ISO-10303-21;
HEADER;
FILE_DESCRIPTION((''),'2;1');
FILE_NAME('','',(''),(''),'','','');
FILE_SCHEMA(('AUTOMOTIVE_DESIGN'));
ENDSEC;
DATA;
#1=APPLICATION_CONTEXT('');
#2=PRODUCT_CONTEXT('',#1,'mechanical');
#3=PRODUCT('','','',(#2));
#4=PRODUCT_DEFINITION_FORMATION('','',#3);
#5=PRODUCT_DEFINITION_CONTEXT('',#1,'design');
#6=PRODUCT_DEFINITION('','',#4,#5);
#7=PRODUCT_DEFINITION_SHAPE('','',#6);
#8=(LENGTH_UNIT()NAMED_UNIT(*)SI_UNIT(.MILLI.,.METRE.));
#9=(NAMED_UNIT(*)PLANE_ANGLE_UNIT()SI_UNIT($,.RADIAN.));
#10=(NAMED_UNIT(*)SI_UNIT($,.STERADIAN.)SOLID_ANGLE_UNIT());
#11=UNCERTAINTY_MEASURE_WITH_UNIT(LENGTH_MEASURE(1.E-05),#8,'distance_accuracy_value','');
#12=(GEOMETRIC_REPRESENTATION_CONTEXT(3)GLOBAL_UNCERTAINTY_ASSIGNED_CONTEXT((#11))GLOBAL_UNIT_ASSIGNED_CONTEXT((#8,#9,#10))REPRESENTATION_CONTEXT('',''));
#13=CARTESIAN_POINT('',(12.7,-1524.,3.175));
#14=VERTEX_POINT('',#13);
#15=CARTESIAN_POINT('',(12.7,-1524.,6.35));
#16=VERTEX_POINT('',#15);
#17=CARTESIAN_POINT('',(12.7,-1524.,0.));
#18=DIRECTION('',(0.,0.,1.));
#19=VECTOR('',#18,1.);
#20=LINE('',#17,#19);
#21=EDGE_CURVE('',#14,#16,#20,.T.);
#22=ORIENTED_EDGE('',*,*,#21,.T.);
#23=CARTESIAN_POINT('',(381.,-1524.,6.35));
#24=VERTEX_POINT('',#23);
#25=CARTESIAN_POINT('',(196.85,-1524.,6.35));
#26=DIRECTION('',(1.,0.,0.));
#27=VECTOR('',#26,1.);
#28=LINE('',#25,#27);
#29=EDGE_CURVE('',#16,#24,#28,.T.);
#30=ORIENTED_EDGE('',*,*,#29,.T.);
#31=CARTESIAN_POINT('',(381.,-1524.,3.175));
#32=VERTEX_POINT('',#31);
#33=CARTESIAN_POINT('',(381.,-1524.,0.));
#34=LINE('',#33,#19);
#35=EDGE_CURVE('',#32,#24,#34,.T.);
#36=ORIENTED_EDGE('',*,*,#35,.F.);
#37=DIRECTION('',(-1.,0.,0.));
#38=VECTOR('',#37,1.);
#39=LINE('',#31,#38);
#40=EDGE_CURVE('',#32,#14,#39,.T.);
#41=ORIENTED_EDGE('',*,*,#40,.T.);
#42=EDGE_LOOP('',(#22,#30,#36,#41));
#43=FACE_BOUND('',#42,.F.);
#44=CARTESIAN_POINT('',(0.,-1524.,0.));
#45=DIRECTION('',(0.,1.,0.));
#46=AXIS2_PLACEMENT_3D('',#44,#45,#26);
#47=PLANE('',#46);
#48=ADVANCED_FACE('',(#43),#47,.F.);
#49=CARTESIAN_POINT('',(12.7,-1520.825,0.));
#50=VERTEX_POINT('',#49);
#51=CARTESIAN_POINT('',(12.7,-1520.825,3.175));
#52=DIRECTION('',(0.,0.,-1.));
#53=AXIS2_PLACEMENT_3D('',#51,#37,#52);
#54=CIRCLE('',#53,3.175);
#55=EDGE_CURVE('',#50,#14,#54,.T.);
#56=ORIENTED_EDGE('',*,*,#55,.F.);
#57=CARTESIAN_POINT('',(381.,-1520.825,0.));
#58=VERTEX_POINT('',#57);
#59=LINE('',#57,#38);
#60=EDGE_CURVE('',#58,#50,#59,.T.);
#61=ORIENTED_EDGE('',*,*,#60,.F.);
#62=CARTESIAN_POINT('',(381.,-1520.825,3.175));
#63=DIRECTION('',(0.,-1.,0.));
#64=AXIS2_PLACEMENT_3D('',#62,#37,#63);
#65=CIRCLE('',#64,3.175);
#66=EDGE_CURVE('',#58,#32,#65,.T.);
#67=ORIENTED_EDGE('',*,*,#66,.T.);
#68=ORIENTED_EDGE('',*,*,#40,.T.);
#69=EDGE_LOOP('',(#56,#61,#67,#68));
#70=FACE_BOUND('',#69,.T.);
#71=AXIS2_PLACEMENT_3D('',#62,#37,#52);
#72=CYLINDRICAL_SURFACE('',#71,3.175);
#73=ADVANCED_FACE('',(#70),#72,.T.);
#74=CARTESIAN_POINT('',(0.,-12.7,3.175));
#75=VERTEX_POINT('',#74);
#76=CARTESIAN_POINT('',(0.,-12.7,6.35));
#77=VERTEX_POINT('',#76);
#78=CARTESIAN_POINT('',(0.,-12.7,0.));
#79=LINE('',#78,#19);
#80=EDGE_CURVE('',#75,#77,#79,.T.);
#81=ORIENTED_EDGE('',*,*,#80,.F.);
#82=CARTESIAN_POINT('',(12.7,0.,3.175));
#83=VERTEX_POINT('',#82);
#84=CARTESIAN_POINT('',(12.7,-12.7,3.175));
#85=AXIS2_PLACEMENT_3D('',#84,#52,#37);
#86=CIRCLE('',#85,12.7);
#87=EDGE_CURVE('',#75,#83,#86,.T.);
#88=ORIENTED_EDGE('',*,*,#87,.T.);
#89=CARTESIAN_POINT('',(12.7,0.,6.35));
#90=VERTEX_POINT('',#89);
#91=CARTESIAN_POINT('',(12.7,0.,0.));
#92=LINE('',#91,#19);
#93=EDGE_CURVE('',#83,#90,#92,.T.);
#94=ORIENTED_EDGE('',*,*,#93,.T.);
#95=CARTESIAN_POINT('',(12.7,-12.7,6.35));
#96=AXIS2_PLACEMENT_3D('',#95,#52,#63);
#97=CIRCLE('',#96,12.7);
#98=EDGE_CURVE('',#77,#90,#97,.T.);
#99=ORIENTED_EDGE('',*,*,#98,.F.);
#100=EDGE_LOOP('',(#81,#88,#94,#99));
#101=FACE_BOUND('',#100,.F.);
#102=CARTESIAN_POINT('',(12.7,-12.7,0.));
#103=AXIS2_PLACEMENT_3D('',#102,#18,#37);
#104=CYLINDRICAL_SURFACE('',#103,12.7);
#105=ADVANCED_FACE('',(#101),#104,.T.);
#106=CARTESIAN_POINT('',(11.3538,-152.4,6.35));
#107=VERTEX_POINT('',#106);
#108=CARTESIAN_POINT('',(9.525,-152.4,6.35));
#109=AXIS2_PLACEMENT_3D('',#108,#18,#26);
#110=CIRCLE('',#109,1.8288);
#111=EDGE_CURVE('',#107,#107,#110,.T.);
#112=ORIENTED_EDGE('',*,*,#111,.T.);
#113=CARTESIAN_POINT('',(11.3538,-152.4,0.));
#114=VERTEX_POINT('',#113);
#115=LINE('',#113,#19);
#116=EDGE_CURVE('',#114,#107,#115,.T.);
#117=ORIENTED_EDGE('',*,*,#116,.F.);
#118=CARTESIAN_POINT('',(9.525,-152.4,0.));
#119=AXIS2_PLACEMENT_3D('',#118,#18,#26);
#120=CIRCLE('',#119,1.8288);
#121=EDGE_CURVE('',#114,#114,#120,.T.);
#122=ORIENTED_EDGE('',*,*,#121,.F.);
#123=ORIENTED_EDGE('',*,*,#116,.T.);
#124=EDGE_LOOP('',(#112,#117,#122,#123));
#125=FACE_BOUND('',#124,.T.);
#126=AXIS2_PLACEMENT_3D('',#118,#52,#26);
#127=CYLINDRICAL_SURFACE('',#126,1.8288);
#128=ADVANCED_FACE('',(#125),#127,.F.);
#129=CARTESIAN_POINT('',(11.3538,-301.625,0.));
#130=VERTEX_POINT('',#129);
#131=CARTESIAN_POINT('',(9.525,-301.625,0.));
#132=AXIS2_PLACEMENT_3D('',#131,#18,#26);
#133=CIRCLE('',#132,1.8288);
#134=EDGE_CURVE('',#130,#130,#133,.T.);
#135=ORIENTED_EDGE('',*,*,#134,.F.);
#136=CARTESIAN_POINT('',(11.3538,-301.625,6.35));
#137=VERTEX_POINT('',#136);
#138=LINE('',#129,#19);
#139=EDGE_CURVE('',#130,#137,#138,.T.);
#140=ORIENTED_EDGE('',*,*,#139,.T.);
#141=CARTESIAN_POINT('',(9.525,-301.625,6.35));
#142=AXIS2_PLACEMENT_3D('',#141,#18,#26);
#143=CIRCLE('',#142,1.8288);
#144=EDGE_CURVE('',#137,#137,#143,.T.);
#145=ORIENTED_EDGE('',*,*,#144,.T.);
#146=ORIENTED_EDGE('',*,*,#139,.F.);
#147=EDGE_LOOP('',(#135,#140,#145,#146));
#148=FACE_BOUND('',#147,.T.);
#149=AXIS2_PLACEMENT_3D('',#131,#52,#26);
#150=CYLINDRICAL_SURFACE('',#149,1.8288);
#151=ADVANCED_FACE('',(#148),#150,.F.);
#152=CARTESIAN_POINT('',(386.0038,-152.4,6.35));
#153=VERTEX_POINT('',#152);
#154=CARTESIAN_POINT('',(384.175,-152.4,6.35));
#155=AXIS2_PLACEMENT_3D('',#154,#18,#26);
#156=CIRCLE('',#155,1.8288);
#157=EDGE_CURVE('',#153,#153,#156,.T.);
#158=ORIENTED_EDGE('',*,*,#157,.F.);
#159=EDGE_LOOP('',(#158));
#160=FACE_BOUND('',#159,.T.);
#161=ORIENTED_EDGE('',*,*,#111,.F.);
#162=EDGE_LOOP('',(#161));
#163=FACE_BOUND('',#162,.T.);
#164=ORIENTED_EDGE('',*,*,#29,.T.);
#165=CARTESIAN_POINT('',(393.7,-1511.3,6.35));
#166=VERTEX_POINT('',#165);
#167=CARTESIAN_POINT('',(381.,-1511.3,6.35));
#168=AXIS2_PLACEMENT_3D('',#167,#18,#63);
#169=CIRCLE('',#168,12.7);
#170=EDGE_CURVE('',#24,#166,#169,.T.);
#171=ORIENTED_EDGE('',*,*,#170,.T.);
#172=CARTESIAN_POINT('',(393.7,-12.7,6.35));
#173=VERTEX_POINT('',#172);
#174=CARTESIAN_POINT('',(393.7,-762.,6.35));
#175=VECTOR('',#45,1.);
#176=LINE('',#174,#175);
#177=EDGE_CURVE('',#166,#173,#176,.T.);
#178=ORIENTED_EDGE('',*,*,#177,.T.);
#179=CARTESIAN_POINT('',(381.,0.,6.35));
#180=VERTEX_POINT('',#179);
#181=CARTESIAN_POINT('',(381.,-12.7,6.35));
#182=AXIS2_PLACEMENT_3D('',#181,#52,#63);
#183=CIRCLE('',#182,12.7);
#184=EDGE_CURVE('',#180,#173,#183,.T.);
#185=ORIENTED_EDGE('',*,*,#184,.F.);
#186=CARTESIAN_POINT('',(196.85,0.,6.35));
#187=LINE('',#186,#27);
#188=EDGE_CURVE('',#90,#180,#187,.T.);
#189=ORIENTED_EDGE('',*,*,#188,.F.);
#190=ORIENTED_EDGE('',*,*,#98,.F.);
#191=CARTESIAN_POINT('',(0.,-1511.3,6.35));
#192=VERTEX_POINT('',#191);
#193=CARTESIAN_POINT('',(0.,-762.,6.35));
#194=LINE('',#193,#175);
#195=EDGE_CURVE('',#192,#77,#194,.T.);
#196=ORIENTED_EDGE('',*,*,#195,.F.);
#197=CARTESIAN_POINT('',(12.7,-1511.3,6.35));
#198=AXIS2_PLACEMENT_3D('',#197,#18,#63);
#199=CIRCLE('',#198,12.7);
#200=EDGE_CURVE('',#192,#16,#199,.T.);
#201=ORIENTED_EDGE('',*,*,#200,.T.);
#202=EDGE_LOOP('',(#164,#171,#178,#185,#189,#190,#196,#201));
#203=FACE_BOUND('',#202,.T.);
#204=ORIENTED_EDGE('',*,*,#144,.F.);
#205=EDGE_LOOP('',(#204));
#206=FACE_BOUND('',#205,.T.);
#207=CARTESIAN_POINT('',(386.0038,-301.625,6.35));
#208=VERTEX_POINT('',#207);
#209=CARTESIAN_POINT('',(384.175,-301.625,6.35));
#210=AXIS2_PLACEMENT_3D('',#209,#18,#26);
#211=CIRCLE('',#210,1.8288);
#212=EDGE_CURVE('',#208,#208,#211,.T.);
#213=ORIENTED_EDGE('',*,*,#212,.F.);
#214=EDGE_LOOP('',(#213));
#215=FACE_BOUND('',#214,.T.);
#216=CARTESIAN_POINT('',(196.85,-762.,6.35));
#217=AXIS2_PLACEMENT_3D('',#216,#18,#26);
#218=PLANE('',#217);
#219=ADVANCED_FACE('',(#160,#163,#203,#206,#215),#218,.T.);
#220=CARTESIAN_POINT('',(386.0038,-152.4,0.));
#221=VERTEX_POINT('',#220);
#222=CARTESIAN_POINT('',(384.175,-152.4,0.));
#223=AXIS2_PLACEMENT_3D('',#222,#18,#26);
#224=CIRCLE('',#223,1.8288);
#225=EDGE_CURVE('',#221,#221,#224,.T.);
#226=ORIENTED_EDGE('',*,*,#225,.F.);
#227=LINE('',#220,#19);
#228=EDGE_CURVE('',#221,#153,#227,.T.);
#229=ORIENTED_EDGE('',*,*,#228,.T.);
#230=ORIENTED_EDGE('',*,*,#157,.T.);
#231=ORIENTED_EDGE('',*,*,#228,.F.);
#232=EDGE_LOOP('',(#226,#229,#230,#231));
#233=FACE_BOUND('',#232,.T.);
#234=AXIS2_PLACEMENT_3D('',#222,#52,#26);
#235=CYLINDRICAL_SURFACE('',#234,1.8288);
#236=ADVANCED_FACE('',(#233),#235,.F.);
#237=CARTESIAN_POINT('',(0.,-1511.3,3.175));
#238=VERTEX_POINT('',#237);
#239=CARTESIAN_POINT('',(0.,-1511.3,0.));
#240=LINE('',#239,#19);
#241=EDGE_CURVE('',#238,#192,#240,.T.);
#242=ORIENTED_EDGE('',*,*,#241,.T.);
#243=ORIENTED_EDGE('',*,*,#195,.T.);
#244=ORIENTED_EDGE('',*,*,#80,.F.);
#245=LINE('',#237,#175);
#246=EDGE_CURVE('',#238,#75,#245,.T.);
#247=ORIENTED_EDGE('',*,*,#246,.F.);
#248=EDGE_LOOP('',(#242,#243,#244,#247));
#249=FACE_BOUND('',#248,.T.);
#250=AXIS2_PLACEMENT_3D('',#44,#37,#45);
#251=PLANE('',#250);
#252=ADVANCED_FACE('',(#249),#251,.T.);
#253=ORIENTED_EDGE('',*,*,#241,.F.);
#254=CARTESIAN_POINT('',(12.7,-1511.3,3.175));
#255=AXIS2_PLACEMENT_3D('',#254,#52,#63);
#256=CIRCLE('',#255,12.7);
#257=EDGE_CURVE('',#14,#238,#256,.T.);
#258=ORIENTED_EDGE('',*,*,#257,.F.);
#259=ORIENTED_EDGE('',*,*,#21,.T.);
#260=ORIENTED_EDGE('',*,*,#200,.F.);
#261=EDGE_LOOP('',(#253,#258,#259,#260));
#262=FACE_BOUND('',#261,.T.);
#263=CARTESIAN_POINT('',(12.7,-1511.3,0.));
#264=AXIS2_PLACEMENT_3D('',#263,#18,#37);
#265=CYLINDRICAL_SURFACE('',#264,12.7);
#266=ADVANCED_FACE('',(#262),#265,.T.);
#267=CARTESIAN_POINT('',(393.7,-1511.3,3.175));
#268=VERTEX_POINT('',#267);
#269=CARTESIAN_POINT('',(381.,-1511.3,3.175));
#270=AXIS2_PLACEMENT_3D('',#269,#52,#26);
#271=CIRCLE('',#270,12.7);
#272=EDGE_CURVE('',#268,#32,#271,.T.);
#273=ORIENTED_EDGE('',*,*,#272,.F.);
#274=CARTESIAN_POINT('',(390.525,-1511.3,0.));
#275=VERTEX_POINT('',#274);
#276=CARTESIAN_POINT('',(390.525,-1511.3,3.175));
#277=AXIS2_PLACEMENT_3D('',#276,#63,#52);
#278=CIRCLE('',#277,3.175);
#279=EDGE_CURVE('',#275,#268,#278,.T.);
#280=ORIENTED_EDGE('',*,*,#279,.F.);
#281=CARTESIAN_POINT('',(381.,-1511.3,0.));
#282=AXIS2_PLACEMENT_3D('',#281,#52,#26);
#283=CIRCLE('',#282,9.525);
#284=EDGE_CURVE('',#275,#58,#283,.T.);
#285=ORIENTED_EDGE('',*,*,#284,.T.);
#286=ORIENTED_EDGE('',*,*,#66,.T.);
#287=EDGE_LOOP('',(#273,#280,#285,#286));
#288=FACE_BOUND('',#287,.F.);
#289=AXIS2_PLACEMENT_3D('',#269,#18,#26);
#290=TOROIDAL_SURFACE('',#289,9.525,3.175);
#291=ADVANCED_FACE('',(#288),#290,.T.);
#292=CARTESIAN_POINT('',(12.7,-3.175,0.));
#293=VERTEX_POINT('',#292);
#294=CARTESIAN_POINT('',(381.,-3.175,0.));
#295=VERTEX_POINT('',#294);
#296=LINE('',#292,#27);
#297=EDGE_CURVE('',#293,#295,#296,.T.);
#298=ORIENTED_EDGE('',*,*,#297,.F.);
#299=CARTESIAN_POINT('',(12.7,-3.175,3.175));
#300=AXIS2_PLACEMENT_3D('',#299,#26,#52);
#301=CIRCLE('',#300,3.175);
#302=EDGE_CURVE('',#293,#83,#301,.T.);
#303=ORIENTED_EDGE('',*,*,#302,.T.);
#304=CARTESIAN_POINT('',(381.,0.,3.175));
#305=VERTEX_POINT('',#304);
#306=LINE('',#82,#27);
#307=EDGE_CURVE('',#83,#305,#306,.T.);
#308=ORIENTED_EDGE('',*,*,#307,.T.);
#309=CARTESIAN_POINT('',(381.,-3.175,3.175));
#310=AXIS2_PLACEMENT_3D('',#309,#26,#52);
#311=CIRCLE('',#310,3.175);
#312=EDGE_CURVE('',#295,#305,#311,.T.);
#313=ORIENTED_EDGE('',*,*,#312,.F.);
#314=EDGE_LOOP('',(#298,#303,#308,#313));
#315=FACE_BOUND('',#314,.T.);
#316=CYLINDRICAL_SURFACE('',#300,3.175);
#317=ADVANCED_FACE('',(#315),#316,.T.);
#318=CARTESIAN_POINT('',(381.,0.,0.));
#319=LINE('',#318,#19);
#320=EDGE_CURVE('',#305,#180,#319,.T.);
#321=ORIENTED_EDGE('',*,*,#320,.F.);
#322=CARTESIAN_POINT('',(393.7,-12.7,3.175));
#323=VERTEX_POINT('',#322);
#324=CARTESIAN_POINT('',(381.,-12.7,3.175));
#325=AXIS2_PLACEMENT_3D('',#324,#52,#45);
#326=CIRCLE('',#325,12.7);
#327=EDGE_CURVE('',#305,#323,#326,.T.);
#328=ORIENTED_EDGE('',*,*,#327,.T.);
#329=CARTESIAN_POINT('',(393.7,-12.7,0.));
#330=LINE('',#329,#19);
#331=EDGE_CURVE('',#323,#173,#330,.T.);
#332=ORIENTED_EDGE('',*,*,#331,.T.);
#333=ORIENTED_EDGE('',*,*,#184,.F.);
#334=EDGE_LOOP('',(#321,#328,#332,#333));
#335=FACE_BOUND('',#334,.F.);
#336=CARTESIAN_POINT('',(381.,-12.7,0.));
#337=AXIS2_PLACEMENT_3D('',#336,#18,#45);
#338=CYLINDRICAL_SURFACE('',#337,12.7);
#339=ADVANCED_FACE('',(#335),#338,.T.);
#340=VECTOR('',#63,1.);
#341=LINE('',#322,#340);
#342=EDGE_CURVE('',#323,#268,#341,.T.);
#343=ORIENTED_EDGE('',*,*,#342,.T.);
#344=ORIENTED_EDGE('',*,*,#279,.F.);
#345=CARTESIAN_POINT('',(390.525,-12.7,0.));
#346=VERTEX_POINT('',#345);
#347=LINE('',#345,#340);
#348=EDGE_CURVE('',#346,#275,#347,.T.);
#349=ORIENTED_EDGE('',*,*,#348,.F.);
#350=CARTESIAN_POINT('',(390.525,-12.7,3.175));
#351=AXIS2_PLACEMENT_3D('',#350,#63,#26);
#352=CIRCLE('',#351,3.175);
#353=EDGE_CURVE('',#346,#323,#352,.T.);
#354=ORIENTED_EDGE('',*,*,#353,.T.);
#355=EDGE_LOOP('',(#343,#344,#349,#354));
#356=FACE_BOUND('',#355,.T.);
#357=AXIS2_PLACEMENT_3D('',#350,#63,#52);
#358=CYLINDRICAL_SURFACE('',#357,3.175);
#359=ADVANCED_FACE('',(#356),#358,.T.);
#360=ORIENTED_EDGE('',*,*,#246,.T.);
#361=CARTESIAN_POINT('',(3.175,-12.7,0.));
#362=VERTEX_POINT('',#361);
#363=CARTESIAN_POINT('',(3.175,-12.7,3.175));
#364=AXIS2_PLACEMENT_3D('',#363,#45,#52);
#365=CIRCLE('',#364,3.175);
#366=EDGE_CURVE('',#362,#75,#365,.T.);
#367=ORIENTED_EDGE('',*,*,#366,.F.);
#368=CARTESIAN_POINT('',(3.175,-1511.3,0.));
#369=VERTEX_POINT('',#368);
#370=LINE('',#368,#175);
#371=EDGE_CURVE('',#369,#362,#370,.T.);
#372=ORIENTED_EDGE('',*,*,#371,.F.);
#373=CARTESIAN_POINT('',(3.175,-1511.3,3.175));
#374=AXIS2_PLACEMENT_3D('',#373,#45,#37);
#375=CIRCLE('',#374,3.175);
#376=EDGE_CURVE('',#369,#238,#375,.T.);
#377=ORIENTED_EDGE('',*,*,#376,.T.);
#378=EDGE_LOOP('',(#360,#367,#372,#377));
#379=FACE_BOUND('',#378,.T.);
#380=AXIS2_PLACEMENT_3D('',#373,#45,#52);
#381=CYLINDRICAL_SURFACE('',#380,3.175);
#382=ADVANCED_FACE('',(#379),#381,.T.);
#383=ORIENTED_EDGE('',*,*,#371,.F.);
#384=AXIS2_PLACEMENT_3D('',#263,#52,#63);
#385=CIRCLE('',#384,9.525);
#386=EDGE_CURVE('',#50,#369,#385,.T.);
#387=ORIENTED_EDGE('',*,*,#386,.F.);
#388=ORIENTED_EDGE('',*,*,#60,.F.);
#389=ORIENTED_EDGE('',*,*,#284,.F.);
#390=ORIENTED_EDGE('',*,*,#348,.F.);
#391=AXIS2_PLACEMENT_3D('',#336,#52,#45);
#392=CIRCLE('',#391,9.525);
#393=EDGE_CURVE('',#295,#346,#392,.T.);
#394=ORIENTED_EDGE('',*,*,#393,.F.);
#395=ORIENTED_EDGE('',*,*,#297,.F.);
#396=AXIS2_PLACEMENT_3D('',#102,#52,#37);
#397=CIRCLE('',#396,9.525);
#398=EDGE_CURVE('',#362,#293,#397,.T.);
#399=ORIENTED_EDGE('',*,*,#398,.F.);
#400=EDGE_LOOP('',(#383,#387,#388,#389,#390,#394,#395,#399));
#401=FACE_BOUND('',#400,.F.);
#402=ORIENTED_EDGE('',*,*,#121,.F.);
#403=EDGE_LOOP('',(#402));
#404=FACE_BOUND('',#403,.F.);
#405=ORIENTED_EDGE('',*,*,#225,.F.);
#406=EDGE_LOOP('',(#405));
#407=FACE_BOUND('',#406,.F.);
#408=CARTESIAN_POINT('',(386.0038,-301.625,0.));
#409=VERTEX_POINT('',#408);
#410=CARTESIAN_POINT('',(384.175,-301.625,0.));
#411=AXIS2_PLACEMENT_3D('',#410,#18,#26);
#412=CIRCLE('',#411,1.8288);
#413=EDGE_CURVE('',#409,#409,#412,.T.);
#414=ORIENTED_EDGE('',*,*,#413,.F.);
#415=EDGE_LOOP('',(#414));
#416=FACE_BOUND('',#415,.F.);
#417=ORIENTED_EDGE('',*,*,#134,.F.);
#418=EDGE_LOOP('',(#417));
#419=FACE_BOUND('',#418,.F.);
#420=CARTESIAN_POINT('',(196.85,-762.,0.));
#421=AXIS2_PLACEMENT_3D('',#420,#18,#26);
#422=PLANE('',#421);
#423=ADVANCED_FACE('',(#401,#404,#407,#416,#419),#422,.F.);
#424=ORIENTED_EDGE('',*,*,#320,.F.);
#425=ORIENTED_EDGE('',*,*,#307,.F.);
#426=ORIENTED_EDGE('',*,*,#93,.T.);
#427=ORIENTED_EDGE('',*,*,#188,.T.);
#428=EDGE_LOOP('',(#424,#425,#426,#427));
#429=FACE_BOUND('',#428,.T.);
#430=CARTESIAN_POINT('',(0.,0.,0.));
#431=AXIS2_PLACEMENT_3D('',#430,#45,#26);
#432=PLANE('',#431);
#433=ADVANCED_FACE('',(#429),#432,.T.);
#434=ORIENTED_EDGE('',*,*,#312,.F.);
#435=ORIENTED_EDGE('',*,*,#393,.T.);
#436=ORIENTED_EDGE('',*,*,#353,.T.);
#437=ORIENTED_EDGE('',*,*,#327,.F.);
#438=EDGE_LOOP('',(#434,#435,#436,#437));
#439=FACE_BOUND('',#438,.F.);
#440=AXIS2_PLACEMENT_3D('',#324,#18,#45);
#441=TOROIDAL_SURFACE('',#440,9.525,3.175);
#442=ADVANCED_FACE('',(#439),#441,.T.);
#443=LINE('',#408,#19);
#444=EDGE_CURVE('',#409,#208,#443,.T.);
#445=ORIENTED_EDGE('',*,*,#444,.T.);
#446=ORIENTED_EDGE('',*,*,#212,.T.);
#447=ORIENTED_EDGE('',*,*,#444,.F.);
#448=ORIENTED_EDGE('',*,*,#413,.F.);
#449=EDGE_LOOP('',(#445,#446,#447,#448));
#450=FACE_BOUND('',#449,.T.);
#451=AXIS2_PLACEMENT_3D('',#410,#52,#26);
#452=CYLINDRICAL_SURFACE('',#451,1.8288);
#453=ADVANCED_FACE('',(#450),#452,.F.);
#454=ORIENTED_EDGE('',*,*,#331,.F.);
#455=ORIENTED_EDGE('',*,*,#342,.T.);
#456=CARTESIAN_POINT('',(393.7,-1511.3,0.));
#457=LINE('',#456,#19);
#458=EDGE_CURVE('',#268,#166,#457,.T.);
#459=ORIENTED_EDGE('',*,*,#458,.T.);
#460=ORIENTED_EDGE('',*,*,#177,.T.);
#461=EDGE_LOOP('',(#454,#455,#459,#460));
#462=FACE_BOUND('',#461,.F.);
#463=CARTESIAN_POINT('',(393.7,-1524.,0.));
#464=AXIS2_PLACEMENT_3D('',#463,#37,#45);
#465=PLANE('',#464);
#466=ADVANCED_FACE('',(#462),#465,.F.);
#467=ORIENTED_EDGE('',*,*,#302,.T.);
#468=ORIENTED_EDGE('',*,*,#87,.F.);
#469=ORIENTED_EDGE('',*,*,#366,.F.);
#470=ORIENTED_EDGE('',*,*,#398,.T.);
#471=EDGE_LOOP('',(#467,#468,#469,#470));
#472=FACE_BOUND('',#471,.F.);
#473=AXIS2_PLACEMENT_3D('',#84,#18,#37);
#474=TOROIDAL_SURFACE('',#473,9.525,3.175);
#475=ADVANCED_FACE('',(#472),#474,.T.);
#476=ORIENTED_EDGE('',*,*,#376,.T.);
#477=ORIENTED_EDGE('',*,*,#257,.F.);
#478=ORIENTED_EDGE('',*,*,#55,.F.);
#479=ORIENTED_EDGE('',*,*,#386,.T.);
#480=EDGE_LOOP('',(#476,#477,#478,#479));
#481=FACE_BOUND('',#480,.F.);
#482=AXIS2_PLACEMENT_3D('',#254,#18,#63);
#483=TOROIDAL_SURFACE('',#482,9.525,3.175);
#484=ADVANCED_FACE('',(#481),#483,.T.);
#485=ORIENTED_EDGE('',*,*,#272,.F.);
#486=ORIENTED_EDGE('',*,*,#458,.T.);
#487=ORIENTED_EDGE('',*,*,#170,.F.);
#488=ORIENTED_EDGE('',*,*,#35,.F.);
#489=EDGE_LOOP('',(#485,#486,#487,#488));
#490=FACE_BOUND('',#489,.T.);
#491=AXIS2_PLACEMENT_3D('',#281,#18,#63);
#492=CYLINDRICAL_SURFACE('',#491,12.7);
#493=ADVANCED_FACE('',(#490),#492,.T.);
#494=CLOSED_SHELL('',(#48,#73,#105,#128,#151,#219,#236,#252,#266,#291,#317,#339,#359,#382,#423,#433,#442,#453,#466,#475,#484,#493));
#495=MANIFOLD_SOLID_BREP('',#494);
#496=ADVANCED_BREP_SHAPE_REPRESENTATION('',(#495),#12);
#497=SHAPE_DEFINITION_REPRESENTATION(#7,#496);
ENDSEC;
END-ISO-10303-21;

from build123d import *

# Parameters (mm, degrees)
F0_W     = 393.7
F0_H     = 1524
F0_R     = 1.8288
F1_DEPTH = 6.35
F2_R     = 12.7
F3_R     = 3.175


with BuildPart() as f1:
    # F0 (on Top) → F1 (new body)
    with BuildSketch(Plane.XY):
        with Locations((196.85, -762)):
            Rectangle(F0_W, F0_H)
        with Locations((9.525, -301.625)):
            Circle(F0_R, mode=Mode.SUBTRACT)
        with Locations((9.525, -152.4)):
            Circle(F0_R, mode=Mode.SUBTRACT)
        with Locations((384.175, -301.625)):
            Circle(F0_R, mode=Mode.SUBTRACT)
        with Locations((384.175, -152.4)):
            Circle(F0_R, mode=Mode.SUBTRACT)
    extrude(amount=F1_DEPTH)

    # F2
    f2_edges = [f1.edges().sort_by_distance(p)[0] for p in [
        (393.7, -1524, 3.175),
        (0, -1524, 3.175),
        (393.7, 0, 3.175),
        (0, 0, 3.175),
    ]]
    fillet(f2_edges, radius=F2_R)

    # F3
    f3_edges = [f1.edges().sort_by_distance(p)[0] for p in [
        (196.85, 0, 0),
    ]]
    fillet(f3_edges, radius=F3_R)


solid = f1.part
